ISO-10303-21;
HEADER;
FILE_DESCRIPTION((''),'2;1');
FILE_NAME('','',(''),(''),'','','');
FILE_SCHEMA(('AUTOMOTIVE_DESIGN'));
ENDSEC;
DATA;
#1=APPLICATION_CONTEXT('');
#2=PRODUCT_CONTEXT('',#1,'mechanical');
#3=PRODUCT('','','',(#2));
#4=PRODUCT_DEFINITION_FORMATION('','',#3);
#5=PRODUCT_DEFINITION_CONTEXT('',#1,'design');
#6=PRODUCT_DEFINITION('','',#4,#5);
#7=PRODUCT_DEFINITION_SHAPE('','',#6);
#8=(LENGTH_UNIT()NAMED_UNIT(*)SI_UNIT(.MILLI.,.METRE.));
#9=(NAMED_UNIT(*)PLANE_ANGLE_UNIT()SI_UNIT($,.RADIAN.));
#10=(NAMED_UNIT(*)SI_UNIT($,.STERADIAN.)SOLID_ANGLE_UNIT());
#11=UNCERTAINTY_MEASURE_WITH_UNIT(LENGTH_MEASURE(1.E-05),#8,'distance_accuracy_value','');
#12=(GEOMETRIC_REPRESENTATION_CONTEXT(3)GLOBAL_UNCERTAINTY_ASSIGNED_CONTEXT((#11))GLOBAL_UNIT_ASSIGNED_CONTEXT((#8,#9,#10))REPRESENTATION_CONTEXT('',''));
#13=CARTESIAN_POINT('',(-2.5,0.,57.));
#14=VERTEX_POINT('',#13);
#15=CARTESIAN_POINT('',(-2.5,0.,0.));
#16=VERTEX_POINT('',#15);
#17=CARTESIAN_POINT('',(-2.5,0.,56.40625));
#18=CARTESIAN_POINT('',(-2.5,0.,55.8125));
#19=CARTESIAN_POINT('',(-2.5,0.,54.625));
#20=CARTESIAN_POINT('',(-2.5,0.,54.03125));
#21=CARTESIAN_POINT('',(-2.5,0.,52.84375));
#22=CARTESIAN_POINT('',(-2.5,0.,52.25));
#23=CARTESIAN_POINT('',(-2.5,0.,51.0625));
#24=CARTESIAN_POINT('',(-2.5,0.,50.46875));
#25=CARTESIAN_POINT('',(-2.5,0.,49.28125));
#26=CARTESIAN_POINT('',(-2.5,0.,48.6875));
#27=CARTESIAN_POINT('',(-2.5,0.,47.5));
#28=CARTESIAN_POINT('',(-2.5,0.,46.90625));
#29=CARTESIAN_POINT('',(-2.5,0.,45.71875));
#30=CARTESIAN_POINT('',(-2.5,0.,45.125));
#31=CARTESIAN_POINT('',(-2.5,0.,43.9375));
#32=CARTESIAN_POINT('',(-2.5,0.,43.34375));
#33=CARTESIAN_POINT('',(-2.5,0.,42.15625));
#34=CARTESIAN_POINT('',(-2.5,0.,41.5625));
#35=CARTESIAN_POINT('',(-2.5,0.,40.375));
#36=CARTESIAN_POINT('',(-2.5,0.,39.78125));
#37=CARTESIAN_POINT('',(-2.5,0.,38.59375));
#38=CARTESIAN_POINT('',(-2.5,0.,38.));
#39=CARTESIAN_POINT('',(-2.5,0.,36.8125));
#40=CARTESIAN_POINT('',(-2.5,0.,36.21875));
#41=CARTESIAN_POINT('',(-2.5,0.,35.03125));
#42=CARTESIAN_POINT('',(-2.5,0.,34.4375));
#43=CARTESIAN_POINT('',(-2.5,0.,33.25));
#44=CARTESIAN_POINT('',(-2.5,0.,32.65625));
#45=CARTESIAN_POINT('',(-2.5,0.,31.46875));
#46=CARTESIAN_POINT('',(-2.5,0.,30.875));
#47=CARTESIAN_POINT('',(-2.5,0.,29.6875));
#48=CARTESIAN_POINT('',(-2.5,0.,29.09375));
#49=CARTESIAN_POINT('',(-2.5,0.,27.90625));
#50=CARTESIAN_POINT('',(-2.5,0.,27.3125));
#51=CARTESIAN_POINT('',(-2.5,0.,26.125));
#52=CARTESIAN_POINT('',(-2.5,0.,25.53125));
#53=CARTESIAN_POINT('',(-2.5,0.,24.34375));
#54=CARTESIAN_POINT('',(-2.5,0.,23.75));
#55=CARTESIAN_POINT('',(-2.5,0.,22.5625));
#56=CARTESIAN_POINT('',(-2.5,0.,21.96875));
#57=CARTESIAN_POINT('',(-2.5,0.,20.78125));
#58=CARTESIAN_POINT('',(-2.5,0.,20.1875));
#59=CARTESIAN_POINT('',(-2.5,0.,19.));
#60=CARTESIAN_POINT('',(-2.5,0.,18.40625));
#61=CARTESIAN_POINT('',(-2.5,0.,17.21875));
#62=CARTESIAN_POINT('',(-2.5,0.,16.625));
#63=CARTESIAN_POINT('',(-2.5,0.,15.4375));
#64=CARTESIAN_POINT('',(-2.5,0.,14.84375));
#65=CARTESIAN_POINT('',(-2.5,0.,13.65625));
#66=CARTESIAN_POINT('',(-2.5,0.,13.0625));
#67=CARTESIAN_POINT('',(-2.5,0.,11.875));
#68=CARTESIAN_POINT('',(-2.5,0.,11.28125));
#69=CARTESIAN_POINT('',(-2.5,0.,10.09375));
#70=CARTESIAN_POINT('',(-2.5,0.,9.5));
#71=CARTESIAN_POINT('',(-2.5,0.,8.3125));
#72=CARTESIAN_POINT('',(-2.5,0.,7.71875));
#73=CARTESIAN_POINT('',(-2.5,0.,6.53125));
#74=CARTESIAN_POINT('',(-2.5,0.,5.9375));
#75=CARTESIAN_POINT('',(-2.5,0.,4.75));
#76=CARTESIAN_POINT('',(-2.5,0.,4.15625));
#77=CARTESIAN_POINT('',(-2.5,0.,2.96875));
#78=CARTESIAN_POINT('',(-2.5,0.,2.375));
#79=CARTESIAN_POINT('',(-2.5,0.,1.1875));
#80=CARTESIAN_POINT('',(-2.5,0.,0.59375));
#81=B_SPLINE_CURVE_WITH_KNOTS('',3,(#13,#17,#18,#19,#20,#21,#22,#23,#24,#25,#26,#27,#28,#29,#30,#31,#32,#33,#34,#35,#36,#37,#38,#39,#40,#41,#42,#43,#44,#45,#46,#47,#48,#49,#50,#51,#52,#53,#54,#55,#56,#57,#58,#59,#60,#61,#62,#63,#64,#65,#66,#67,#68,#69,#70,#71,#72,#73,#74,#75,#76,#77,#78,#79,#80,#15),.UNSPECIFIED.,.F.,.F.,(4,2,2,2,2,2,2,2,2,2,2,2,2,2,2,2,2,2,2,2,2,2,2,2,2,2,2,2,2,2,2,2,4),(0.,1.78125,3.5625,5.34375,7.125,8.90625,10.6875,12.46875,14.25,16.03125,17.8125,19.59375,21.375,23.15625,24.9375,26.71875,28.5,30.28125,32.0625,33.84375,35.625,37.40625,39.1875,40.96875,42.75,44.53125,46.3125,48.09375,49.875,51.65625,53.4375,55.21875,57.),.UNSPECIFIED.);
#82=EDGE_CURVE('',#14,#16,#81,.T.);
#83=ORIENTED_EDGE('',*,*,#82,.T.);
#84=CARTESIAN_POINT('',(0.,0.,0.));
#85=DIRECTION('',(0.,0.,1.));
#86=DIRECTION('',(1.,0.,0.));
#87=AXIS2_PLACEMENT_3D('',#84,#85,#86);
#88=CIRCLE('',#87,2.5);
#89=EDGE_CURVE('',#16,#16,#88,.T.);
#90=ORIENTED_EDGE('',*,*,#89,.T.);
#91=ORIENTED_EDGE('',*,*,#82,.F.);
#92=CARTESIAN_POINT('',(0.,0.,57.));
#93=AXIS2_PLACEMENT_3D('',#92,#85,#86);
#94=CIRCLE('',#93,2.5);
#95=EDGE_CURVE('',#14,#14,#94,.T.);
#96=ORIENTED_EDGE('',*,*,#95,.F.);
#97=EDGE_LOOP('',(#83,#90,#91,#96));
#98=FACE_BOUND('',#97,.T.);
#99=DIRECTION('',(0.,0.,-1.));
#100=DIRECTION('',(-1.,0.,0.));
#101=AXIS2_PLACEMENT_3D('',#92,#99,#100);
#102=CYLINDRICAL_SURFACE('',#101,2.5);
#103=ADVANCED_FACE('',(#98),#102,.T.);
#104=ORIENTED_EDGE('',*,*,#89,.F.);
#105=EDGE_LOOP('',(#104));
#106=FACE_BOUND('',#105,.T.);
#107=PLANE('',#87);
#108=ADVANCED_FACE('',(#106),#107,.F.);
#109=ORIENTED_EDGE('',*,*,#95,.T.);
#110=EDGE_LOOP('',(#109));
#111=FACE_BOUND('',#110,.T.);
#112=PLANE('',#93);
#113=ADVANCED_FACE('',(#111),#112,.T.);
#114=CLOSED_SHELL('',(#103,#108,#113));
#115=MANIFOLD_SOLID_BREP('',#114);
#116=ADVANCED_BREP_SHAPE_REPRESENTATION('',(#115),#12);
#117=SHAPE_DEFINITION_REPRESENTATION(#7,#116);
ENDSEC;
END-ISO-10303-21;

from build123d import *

# Parameters (mm, degrees)
SKETCH_1_R      = 2.5
EXTRUDE_1_DEPTH = 57


with BuildPart() as part:
    # Эскиз1 → Вытянуть1 (new body)
    with BuildSketch(Plane.XY):
        with Locations(Location((0, 0, 0), (0, 0, 180))):
            Circle(SKETCH_1_R)
    extrude(amount=EXTRUDE_1_DEPTH)


solid = part.part
